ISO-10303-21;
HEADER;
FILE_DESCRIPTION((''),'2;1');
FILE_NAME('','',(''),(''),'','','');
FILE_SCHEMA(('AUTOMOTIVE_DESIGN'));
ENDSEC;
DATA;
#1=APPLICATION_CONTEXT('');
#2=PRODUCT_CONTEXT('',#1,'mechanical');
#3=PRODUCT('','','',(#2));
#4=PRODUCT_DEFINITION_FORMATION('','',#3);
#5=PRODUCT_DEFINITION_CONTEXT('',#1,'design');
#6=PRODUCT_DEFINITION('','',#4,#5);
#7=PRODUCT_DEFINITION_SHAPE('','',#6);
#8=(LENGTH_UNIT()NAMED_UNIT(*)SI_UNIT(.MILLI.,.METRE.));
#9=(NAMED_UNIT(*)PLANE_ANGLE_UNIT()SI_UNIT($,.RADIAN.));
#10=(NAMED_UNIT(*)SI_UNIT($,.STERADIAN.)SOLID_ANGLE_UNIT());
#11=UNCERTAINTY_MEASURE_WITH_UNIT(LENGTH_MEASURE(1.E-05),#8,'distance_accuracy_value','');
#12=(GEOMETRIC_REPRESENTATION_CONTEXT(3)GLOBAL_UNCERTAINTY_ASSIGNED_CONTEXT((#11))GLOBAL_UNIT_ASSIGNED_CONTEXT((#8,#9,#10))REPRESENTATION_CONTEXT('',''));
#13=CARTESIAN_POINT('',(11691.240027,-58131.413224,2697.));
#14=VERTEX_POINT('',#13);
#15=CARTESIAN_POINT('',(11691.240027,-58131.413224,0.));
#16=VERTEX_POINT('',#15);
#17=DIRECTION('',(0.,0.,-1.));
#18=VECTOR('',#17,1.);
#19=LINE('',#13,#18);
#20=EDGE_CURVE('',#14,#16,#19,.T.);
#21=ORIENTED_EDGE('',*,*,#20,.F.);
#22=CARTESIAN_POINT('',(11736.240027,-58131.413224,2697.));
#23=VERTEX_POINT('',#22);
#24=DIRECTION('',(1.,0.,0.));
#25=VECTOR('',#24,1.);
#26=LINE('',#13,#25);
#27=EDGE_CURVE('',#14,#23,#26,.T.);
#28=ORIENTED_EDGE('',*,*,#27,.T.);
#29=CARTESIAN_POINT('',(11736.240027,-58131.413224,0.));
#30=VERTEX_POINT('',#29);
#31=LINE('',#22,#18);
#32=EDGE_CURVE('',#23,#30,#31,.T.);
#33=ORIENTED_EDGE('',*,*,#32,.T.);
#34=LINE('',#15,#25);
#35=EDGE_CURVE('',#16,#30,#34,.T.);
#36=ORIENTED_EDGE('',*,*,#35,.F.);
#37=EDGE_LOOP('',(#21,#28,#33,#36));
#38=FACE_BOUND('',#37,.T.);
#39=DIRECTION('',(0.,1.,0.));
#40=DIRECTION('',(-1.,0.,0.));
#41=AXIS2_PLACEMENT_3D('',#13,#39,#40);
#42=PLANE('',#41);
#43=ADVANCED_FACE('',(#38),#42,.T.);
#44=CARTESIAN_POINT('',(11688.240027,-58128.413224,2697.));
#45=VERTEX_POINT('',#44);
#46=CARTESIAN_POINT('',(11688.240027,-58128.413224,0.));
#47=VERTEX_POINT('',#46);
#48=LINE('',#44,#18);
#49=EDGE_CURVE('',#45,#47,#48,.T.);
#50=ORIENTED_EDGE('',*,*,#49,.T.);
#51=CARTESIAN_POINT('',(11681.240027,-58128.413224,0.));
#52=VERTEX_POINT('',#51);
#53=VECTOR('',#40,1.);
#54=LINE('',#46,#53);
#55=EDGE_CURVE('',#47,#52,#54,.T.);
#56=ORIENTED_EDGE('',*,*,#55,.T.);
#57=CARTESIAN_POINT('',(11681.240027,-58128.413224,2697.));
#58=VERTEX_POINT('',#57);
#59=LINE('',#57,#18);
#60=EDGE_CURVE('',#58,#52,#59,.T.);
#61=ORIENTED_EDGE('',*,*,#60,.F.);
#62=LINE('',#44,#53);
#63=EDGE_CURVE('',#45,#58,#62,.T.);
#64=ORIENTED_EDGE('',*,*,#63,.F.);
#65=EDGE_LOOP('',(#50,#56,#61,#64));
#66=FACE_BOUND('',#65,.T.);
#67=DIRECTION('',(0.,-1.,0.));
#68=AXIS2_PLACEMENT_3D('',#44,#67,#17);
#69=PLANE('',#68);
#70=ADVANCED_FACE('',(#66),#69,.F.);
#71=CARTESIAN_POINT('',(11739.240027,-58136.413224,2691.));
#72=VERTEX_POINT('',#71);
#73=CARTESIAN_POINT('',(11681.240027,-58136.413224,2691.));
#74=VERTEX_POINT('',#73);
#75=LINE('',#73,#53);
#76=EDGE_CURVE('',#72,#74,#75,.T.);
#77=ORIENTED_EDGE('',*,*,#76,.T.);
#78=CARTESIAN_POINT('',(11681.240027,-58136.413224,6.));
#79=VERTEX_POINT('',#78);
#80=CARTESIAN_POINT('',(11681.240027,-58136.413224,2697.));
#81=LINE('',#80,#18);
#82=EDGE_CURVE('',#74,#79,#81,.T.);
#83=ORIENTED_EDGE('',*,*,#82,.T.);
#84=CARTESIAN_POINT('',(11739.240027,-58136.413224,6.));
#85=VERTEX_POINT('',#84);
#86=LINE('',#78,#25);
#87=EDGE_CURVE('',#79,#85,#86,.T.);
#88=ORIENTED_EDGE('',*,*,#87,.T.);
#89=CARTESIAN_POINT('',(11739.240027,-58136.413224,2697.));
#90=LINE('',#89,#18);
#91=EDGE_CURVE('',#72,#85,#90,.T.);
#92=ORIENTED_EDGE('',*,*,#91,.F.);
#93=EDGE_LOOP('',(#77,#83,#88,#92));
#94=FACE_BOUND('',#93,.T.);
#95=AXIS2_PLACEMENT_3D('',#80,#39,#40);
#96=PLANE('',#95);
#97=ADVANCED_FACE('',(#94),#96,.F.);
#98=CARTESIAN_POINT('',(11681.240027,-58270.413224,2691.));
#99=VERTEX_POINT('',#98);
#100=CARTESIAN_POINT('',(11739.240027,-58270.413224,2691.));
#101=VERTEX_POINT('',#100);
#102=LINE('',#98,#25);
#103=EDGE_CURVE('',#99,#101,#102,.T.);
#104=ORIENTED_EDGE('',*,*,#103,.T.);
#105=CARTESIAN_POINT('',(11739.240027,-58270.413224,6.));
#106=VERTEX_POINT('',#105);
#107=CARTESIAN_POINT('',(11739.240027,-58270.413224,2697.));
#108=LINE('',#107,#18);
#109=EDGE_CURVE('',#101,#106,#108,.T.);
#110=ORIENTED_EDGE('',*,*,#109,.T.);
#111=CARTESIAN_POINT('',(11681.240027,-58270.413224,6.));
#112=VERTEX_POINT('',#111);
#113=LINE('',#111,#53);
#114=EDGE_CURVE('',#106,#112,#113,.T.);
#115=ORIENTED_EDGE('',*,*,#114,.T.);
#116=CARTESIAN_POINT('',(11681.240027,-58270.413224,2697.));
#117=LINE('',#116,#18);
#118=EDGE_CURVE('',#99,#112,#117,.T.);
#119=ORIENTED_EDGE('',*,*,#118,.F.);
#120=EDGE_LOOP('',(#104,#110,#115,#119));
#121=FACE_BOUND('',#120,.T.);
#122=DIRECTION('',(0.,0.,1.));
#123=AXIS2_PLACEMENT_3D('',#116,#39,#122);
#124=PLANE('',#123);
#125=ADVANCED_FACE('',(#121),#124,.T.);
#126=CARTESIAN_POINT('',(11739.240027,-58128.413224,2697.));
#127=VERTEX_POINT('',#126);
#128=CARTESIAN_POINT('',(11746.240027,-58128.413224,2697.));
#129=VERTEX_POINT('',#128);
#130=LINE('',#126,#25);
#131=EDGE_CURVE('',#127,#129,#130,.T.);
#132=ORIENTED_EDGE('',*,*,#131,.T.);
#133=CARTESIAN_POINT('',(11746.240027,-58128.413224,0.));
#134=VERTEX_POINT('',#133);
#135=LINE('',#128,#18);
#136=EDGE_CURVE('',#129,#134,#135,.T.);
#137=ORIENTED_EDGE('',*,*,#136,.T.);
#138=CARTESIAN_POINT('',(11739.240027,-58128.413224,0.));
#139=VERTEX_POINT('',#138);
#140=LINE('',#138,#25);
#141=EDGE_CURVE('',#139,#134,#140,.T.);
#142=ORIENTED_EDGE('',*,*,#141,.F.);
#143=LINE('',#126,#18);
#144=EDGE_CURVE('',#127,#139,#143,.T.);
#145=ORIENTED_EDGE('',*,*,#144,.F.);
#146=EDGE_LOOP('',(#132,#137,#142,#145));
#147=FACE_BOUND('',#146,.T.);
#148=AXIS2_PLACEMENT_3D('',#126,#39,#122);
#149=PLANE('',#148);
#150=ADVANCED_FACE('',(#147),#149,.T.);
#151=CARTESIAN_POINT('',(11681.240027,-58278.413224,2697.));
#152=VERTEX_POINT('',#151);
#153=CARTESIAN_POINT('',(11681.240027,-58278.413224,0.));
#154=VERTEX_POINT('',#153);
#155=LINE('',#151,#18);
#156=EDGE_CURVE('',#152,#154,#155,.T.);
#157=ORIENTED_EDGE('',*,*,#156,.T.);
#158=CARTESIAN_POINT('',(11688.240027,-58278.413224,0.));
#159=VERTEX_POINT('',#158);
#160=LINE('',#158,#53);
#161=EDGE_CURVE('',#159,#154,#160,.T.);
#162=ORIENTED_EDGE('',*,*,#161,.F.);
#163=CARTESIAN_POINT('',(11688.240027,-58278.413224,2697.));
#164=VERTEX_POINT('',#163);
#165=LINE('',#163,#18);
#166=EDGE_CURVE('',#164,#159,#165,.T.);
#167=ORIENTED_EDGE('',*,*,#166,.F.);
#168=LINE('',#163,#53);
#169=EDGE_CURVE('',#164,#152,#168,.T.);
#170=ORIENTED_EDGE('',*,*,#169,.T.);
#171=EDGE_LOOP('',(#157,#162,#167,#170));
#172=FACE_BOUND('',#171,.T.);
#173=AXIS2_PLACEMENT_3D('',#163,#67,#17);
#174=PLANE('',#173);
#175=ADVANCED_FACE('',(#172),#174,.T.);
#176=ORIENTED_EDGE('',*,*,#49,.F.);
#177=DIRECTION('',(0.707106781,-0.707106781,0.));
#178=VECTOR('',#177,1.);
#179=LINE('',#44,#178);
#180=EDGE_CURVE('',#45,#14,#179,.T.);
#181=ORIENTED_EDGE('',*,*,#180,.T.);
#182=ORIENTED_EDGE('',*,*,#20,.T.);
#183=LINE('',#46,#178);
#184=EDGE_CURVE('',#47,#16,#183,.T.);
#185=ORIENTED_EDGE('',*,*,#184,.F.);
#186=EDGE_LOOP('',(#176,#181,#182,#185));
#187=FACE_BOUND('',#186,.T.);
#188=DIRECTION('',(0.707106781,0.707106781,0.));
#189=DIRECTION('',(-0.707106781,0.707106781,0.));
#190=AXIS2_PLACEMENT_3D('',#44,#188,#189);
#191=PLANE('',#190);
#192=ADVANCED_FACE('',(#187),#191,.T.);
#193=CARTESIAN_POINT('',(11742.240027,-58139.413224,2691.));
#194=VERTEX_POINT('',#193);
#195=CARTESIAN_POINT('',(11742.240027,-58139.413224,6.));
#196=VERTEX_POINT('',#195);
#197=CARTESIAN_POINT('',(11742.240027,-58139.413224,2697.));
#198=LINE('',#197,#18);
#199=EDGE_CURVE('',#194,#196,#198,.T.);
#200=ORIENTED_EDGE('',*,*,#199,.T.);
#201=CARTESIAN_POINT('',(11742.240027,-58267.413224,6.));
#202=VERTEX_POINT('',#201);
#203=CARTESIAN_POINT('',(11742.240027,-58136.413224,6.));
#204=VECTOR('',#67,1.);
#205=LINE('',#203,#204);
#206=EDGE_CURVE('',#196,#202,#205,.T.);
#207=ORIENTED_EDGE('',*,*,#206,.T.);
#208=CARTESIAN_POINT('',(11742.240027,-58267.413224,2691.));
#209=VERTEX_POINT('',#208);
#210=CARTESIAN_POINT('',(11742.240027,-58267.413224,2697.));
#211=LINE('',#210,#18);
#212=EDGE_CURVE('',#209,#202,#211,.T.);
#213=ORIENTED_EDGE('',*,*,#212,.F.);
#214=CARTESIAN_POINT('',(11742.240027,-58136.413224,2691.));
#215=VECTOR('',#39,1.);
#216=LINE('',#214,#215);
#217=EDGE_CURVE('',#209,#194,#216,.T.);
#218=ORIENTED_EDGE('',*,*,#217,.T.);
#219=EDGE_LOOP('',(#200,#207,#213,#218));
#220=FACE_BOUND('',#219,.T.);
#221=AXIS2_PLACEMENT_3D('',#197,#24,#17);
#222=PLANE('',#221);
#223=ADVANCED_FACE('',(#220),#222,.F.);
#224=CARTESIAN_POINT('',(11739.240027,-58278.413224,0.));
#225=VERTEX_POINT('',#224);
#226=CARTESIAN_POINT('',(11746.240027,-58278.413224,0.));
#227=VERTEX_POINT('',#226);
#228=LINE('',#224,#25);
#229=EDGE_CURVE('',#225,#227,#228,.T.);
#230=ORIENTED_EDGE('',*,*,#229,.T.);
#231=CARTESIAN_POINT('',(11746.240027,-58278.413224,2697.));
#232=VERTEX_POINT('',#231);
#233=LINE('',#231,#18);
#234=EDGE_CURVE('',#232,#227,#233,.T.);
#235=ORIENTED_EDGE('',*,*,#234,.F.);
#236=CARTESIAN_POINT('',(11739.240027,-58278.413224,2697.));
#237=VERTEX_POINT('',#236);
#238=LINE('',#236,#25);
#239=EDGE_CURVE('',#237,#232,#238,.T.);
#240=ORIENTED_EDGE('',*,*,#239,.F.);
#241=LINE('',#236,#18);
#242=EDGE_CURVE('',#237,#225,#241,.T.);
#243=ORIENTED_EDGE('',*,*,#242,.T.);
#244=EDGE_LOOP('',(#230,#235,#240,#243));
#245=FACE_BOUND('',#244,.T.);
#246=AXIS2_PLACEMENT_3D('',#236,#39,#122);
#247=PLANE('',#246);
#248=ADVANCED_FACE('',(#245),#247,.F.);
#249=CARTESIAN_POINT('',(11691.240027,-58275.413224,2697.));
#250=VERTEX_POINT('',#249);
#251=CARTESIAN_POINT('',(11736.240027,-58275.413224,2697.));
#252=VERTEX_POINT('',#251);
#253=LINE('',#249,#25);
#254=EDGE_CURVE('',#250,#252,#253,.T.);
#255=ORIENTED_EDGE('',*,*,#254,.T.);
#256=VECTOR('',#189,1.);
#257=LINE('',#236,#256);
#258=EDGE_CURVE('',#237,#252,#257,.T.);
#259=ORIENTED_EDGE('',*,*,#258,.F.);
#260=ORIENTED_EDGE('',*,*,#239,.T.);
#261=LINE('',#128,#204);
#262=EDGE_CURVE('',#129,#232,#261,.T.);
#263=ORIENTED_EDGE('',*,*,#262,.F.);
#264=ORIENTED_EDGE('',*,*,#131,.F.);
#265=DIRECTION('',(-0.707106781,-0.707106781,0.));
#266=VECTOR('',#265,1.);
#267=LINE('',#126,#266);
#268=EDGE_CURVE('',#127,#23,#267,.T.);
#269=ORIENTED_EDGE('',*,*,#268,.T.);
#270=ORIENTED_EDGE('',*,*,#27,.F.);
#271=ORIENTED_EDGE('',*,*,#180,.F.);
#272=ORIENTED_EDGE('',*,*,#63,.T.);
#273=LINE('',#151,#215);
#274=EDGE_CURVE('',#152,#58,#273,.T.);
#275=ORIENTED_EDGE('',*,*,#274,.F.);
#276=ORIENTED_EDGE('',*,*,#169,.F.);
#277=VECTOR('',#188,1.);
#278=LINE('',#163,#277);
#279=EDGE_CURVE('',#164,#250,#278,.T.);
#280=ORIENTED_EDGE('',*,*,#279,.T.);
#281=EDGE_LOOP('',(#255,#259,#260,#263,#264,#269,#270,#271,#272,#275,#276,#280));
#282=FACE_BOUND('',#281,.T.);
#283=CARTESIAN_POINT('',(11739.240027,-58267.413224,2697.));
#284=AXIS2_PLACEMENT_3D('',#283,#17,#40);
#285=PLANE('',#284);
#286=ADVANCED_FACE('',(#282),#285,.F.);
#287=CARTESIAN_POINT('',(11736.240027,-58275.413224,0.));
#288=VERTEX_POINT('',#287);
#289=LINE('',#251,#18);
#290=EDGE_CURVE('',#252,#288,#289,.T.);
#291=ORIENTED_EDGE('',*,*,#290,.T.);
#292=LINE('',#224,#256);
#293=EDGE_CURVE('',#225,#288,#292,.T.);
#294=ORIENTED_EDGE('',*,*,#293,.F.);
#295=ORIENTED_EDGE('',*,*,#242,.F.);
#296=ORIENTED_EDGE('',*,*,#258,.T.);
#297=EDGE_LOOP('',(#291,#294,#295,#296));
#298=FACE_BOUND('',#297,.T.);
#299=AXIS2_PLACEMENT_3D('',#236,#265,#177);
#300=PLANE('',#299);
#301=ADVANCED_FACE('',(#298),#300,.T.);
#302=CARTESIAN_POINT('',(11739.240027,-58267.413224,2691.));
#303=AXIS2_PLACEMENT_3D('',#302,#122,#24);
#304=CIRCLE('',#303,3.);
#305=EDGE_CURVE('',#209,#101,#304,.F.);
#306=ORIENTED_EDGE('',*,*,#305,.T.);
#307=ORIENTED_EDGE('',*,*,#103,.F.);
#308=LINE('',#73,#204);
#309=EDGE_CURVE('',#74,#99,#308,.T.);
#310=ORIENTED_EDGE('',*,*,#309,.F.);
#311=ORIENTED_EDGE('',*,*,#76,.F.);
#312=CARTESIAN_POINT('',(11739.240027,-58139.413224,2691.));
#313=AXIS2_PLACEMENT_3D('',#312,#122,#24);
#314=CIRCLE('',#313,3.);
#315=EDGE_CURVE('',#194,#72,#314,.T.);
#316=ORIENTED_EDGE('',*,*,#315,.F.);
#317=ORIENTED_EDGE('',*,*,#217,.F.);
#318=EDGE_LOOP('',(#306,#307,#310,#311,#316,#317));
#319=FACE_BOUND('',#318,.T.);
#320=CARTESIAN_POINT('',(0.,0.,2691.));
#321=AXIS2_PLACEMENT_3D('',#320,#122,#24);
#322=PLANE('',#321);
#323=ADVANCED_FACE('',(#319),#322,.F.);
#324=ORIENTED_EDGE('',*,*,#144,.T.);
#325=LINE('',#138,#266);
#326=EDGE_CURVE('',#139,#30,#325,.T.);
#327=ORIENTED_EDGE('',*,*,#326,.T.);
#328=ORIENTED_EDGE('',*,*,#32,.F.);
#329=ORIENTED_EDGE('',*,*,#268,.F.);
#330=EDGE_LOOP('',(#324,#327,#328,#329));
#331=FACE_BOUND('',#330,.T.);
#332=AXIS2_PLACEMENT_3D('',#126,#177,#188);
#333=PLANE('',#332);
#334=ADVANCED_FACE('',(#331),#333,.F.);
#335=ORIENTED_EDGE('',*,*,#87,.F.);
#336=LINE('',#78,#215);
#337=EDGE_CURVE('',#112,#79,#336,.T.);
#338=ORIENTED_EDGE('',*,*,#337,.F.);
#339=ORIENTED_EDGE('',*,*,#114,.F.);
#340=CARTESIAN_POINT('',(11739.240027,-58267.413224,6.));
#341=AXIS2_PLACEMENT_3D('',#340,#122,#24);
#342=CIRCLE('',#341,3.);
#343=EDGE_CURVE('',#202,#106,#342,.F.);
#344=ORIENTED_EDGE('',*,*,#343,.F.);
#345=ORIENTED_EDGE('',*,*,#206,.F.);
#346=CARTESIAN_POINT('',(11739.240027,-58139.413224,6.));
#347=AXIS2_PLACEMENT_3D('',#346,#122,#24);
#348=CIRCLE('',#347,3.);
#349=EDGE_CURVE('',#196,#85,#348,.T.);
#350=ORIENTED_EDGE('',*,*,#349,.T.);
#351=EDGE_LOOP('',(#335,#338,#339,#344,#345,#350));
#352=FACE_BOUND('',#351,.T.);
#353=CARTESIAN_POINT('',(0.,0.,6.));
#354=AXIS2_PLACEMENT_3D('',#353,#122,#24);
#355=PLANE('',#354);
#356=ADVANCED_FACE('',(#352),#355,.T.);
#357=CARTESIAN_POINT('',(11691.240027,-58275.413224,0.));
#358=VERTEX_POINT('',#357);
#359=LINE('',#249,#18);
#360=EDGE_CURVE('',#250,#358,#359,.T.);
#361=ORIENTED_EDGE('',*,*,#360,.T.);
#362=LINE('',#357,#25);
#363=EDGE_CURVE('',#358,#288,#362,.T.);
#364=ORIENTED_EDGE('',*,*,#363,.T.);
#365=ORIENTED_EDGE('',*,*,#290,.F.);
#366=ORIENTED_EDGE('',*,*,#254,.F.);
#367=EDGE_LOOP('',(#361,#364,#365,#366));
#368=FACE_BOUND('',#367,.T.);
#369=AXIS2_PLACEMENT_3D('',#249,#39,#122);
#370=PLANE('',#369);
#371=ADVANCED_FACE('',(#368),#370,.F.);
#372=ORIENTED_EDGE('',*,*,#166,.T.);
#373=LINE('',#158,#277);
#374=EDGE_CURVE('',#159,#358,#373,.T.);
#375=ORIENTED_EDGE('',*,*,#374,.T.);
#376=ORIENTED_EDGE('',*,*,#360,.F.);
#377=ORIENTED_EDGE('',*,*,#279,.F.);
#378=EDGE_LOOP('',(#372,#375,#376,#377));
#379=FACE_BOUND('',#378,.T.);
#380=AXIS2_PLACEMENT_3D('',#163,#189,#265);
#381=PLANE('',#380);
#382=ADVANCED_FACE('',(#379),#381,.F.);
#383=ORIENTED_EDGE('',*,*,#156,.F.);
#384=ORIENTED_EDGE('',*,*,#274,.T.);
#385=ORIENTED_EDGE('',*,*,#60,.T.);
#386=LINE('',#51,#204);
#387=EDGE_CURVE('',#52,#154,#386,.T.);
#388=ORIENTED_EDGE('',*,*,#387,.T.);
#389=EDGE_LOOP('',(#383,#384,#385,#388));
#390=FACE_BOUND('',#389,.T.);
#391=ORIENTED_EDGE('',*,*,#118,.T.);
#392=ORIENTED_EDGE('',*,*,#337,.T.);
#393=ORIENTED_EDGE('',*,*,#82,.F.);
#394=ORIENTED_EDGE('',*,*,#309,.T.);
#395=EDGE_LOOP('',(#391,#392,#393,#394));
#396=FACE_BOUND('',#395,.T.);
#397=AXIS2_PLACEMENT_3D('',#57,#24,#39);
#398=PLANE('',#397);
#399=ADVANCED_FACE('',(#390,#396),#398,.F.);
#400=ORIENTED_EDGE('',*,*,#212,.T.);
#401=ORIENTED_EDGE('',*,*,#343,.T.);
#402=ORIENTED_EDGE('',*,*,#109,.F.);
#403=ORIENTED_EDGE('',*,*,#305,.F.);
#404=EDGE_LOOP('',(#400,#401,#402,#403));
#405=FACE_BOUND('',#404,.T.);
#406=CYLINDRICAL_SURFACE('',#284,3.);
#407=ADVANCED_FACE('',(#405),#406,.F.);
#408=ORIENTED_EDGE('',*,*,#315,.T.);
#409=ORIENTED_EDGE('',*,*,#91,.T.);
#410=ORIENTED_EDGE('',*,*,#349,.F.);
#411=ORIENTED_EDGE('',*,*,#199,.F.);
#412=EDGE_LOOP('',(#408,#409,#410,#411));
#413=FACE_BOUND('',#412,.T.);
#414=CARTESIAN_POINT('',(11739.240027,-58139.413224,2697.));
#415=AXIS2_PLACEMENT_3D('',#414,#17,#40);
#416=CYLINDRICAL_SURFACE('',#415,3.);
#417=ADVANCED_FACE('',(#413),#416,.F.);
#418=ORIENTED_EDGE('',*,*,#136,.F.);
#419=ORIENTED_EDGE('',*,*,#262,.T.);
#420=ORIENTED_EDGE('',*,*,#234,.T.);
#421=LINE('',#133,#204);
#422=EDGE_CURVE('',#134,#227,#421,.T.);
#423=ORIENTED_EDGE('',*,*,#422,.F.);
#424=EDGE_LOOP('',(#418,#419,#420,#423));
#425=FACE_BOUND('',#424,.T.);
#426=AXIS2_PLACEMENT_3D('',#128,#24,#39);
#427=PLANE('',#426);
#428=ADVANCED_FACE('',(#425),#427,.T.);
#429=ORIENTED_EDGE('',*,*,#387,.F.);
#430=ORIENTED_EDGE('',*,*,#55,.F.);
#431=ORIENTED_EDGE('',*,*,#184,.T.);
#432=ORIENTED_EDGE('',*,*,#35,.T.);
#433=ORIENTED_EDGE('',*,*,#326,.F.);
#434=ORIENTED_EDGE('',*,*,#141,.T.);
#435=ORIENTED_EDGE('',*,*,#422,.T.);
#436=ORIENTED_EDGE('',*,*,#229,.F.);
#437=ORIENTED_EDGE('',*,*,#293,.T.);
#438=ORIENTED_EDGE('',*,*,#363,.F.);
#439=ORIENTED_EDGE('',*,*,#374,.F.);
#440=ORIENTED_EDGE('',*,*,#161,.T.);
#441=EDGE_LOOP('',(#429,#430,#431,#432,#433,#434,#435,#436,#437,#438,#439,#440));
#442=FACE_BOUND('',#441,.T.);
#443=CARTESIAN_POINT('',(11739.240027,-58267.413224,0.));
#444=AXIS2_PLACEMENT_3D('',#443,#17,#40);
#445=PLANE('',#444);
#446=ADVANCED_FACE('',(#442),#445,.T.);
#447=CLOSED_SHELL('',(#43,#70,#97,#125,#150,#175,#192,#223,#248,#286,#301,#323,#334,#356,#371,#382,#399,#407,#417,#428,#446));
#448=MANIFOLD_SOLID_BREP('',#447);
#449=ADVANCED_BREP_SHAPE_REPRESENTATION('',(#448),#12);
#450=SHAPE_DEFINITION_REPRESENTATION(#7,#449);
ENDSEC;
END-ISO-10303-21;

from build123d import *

# Parameters (mm, degrees)
EXTRUDE_1_DEPTH = 2697
SKETCH_2_W      = 61
SKETCH_2_H      = 134
EXTRUDE_2_DEPTH = 6
SKETCH_3_W      = 61
SKETCH_3_H      = 134
EXTRUDE_3_DEPTH = 6


with BuildPart() as part:
    # Model → 凸台-拉伸1 (new body)
    with BuildSketch(Plane.XY):
        with BuildLine():
            Line((11739.240027423, -58278.413223948), (11736.240027423, -58275.413223948))
            Line((11736.240027423, -58275.413223948), (11691.240027423, -58275.413223948))
            Line((11691.240027423, -58275.413223948), (11688.240027423, -58278.413223948))
            Line((11688.240027423, -58278.413223948), (11681.240027423, -58278.413223948))
            Line((11681.240027423, -58278.413223948), (11681.240027423, -58270.413223948))
            Line((11681.240027423, -58270.413223948), (11739.240027423, -58270.413223948))
            ThreePointArc((11739.240027423, -58270.413223948), (11741.361347766, -58269.534544291), (11742.240027423, -58267.413223948))
            Line((11742.240027423, -58267.413223948), (11742.240027423, -58139.413223948))
            ThreePointArc((11742.240027423, -58139.413223948), (11741.361347766, -58137.291903604), (11739.240027423, -58136.413223948))
            Line((11739.240027423, -58136.413223948), (11681.240027423, -58136.413223948))
            Line((11681.240027423, -58136.413223948), (11681.240027423, -58128.413223948))
            Line((11681.240027423, -58128.413223948), (11688.240027423, -58128.413223948))
            Line((11688.240027423, -58128.413223948), (11691.240027423, -58131.413223948))
            Line((11691.240027423, -58131.413223948), (11736.240027423, -58131.413223948))
            Line((11736.240027423, -58131.413223948), (11739.240027423, -58128.413223948))
            Line((11739.240027423, -58128.413223948), (11746.240027423, -58128.413223948))
            Line((11746.240027423, -58128.413223948), (11746.240027423, -58278.413223948))
            Line((11746.240027423, -58278.413223948), (11739.240027423, -58278.413223948))
        make_face()
    extrude(amount=EXTRUDE_1_DEPTH)

    # 草图2 → 凸台-拉伸2 (add)
    with BuildSketch(Plane.XY.offset(2697)):
        with Locations((11711.740027423, -58203.413223948)):
            Rectangle(SKETCH_2_W, SKETCH_2_H)
    extrude(amount=-EXTRUDE_2_DEPTH)

    # 草图3 → 凸台-拉伸3 (add)
    with BuildSketch(Plane(origin=(0, 0, 0), x_dir=(-1, 0, 0), z_dir=(0, 0, -1))):
        with Locations((-11711.740027423, -58203.413223948)):
            Rectangle(SKETCH_3_W, SKETCH_3_H)
    extrude(amount=-EXTRUDE_3_DEPTH)


solid = part.part
